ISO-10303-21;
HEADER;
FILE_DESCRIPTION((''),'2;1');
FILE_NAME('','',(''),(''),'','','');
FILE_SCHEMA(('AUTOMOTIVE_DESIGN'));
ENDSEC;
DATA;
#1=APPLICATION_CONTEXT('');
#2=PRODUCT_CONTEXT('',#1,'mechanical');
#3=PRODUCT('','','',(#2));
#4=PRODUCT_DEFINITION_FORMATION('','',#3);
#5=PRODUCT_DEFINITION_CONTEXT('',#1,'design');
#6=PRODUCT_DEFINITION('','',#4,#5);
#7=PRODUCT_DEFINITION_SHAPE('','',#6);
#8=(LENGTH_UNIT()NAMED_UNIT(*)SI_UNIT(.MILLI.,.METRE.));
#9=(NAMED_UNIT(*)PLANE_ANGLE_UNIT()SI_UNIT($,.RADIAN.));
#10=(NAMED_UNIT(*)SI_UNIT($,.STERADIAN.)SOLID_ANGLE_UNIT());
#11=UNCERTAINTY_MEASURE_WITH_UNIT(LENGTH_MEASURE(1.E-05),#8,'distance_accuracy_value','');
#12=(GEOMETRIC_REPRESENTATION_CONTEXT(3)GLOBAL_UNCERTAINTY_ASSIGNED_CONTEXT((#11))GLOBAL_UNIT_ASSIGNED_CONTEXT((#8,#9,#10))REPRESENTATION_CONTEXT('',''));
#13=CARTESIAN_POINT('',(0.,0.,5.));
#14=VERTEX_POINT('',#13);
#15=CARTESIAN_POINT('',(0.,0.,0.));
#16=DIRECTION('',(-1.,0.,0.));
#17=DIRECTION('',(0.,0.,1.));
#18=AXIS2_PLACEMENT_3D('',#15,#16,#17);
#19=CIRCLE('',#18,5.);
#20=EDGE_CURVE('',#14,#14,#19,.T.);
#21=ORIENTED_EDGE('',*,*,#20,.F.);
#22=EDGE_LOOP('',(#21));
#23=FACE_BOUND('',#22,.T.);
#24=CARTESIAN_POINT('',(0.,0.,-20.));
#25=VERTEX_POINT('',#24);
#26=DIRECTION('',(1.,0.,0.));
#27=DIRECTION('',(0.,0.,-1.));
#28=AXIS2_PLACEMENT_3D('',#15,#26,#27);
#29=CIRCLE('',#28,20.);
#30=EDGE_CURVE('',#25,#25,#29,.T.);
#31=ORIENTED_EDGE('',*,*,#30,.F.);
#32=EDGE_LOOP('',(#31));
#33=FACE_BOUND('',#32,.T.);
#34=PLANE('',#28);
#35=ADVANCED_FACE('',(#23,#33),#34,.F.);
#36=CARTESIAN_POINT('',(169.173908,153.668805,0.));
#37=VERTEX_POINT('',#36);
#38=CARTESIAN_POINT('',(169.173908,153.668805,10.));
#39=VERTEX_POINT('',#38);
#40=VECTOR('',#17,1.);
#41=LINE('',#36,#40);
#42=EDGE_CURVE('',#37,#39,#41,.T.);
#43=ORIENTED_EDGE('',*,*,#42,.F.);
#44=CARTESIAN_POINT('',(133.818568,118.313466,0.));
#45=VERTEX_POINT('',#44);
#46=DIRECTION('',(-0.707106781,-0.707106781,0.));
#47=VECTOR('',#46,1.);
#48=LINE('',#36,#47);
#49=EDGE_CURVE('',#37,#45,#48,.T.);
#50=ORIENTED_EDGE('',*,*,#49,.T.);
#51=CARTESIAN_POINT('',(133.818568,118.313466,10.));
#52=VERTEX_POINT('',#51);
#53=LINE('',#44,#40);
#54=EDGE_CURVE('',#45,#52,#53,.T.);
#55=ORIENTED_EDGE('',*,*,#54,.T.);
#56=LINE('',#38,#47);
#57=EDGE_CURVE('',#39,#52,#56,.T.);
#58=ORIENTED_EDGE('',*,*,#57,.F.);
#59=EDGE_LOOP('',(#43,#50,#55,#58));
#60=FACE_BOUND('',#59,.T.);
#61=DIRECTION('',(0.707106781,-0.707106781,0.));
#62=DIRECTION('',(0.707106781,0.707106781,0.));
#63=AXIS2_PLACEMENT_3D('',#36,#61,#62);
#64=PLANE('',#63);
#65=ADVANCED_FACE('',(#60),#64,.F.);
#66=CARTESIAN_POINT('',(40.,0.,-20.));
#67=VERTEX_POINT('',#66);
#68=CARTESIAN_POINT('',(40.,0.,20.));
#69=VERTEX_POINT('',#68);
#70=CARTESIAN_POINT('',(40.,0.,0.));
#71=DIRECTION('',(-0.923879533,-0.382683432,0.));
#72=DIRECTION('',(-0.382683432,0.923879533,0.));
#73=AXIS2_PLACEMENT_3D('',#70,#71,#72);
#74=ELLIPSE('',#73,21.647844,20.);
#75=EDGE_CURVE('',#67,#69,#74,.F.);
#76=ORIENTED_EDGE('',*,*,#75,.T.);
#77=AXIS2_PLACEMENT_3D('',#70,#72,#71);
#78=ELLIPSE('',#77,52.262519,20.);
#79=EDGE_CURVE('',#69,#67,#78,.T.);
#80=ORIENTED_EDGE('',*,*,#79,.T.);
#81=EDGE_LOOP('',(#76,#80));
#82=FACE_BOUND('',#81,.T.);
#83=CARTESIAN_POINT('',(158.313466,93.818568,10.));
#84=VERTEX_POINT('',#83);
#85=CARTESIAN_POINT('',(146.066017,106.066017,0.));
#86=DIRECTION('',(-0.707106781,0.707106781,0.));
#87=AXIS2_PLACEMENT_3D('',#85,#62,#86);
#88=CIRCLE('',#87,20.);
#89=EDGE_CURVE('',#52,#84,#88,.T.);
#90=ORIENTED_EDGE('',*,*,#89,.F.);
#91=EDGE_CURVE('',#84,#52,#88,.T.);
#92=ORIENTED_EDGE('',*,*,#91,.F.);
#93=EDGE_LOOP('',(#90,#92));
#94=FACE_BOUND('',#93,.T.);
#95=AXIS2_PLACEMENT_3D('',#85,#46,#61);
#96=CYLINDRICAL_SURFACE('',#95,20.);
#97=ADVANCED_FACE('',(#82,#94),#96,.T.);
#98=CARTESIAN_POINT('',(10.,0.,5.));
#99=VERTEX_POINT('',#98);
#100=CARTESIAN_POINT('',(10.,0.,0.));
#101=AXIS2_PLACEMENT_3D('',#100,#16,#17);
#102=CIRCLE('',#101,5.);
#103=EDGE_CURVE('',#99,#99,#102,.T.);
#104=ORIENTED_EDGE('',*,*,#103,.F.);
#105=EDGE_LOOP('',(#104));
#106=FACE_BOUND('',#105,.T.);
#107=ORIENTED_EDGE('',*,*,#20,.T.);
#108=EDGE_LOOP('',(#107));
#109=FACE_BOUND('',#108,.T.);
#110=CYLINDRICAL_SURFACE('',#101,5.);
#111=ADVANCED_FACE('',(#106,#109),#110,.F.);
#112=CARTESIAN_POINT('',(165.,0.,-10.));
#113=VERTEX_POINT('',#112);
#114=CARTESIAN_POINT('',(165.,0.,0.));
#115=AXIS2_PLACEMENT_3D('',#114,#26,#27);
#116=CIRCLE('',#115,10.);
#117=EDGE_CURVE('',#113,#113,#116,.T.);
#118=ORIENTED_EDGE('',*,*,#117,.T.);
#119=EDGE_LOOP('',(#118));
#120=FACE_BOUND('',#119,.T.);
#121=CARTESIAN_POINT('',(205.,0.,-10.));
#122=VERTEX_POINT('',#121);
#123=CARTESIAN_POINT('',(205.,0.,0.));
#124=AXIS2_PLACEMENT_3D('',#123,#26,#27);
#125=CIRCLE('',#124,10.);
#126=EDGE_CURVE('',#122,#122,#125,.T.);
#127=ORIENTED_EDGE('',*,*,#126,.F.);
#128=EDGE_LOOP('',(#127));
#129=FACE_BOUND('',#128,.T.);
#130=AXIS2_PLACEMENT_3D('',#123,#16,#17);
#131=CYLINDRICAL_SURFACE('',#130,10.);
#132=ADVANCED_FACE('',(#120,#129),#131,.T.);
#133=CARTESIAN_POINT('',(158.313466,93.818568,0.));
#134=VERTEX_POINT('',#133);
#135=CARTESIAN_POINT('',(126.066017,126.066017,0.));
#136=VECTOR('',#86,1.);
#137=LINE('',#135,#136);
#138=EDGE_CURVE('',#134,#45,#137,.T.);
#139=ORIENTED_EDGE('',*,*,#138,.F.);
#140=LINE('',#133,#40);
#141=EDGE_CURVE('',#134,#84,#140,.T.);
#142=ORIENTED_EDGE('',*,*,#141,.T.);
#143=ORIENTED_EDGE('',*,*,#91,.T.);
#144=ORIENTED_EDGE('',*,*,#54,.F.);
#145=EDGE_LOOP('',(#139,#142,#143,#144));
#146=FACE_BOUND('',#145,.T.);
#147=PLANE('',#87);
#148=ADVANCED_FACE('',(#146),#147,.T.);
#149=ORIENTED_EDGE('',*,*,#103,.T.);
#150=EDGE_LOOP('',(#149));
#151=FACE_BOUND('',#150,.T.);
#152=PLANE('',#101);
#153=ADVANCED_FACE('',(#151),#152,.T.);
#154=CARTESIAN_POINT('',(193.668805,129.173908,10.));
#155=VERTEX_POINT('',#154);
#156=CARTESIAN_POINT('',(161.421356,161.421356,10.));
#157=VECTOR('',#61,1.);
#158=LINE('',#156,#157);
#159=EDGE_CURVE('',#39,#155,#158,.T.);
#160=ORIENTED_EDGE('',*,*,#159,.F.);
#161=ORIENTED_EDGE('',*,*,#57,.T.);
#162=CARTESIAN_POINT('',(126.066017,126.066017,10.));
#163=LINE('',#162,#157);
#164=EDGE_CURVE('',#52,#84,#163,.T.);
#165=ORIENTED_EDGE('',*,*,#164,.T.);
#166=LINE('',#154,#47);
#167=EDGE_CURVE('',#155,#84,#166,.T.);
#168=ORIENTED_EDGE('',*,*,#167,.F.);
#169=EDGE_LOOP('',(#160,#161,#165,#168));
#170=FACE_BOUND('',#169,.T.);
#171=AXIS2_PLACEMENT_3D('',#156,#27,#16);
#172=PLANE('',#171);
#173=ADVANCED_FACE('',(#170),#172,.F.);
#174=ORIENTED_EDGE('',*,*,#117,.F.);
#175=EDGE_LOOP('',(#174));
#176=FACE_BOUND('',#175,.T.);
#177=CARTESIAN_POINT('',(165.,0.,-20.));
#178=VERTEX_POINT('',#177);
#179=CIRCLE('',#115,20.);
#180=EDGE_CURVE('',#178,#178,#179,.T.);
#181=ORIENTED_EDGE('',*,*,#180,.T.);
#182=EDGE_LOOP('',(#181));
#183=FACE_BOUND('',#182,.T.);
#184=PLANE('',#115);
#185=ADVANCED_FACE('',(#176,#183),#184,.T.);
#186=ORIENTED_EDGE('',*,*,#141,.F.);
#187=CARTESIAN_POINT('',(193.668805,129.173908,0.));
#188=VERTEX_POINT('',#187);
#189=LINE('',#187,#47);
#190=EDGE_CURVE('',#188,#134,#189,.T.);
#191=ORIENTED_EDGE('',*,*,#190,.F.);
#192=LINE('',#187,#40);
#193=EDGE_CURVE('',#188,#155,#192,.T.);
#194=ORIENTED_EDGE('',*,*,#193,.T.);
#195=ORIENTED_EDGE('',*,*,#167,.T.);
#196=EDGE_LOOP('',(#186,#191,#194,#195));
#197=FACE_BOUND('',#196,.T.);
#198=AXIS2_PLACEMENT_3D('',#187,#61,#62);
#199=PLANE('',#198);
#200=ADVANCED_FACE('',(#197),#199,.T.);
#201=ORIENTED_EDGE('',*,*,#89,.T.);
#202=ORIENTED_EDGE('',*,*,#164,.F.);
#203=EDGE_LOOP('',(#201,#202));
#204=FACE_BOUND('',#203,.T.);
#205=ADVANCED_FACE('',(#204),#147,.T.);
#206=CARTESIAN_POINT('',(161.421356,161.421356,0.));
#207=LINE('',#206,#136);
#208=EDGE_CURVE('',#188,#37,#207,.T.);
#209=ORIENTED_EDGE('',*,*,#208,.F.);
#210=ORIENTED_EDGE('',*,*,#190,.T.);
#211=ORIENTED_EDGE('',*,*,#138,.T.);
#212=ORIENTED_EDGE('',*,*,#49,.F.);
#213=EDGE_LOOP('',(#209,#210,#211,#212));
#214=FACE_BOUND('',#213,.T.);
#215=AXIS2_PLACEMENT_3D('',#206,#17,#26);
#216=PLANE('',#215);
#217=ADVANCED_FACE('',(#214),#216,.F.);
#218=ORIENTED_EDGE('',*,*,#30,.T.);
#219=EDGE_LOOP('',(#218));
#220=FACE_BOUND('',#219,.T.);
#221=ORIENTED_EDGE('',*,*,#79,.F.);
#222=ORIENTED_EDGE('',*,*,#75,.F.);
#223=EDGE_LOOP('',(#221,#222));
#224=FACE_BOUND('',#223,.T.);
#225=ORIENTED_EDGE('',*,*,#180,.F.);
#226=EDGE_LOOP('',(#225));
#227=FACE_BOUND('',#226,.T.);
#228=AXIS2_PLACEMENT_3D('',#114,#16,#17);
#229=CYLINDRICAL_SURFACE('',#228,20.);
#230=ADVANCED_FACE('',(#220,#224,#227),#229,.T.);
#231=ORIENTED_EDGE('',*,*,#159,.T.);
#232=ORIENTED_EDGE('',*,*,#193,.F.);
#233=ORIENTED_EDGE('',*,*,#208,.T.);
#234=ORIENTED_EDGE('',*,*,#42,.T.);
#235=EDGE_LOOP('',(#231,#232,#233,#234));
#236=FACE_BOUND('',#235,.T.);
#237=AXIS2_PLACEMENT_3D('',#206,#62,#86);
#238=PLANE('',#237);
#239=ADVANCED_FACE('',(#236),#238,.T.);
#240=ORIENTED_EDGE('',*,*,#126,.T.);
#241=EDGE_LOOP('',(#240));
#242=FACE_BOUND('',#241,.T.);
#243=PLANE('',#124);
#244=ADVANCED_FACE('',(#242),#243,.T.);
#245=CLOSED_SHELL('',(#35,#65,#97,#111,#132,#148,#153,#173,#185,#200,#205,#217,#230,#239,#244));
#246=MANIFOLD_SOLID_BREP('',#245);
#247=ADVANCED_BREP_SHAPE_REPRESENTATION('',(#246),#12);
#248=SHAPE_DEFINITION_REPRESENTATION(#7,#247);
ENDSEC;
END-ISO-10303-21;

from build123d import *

# Parameters (mm, degrees)
SKETCH1_R           = 20
BOSS_EXTRUDE1_DEPTH = 165
SKETCH2_R           = 10
BOSS_EXTRUDE2_DEPTH = 40
SKETCH5_R           = 20
BOSS_EXTRUDE3_DEPTH = 150
SKETCH6_W           = 10
SKETCH6_H           = 34.641016151
BOSS_EXTRUDE5_DEPTH = 50
SKETCH7_R           = 5
CUT_EXTRUDE1_DEPTH  = 10


with BuildPart() as part:
    # Sketch1 → Boss-Extrude1 (new body)
    with BuildSketch(Plane(origin=(0, 0, 0), x_dir=(0, 0, -1), z_dir=(1, 0, 0))):
        Circle(SKETCH1_R)
    extrude(amount=BOSS_EXTRUDE1_DEPTH)

    # Sketch2 → Boss-Extrude2 (add)
    with BuildSketch(Plane(origin=(165, 0, 0), x_dir=(0, 0, -1), z_dir=(1, 0, 0))):
        Circle(SKETCH2_R)
    extrude(amount=BOSS_EXTRUDE2_DEPTH)

    # Sketch5 → Boss-Extrude3 (add)
    with BuildSketch(Plane(origin=(20, 20, 0), x_dir=(0.7071067811865464, -0.7071067811865488, 0), z_dir=(0.7071067811865488, 0.7071067811865464, 0))):
        with Locations(Location((28.284271247, 0, 0), (0, 0, 90))):
            Circle(SKETCH5_R)
    extrude(amount=BOSS_EXTRUDE3_DEPTH)

    # Sketch6 → Boss-Extrude5 (add)
    with BuildSketch(Plane(origin=(126.066017178, 126.066017178, 0), x_dir=(0, 0, -1), z_dir=(0.7071067811865487, 0.7071067811865465, 0))):
        with Locations((-5, -28.284271248)):
            Rectangle(SKETCH6_W, SKETCH6_H)
    extrude(amount=BOSS_EXTRUDE5_DEPTH)

    # Sketch7 → Cut-Extrude1 (cut)
    with BuildSketch(Plane.ZY):
        Circle(SKETCH7_R)
    extrude(amount=-CUT_EXTRUDE1_DEPTH, mode=Mode.SUBTRACT)


solid = part.part
